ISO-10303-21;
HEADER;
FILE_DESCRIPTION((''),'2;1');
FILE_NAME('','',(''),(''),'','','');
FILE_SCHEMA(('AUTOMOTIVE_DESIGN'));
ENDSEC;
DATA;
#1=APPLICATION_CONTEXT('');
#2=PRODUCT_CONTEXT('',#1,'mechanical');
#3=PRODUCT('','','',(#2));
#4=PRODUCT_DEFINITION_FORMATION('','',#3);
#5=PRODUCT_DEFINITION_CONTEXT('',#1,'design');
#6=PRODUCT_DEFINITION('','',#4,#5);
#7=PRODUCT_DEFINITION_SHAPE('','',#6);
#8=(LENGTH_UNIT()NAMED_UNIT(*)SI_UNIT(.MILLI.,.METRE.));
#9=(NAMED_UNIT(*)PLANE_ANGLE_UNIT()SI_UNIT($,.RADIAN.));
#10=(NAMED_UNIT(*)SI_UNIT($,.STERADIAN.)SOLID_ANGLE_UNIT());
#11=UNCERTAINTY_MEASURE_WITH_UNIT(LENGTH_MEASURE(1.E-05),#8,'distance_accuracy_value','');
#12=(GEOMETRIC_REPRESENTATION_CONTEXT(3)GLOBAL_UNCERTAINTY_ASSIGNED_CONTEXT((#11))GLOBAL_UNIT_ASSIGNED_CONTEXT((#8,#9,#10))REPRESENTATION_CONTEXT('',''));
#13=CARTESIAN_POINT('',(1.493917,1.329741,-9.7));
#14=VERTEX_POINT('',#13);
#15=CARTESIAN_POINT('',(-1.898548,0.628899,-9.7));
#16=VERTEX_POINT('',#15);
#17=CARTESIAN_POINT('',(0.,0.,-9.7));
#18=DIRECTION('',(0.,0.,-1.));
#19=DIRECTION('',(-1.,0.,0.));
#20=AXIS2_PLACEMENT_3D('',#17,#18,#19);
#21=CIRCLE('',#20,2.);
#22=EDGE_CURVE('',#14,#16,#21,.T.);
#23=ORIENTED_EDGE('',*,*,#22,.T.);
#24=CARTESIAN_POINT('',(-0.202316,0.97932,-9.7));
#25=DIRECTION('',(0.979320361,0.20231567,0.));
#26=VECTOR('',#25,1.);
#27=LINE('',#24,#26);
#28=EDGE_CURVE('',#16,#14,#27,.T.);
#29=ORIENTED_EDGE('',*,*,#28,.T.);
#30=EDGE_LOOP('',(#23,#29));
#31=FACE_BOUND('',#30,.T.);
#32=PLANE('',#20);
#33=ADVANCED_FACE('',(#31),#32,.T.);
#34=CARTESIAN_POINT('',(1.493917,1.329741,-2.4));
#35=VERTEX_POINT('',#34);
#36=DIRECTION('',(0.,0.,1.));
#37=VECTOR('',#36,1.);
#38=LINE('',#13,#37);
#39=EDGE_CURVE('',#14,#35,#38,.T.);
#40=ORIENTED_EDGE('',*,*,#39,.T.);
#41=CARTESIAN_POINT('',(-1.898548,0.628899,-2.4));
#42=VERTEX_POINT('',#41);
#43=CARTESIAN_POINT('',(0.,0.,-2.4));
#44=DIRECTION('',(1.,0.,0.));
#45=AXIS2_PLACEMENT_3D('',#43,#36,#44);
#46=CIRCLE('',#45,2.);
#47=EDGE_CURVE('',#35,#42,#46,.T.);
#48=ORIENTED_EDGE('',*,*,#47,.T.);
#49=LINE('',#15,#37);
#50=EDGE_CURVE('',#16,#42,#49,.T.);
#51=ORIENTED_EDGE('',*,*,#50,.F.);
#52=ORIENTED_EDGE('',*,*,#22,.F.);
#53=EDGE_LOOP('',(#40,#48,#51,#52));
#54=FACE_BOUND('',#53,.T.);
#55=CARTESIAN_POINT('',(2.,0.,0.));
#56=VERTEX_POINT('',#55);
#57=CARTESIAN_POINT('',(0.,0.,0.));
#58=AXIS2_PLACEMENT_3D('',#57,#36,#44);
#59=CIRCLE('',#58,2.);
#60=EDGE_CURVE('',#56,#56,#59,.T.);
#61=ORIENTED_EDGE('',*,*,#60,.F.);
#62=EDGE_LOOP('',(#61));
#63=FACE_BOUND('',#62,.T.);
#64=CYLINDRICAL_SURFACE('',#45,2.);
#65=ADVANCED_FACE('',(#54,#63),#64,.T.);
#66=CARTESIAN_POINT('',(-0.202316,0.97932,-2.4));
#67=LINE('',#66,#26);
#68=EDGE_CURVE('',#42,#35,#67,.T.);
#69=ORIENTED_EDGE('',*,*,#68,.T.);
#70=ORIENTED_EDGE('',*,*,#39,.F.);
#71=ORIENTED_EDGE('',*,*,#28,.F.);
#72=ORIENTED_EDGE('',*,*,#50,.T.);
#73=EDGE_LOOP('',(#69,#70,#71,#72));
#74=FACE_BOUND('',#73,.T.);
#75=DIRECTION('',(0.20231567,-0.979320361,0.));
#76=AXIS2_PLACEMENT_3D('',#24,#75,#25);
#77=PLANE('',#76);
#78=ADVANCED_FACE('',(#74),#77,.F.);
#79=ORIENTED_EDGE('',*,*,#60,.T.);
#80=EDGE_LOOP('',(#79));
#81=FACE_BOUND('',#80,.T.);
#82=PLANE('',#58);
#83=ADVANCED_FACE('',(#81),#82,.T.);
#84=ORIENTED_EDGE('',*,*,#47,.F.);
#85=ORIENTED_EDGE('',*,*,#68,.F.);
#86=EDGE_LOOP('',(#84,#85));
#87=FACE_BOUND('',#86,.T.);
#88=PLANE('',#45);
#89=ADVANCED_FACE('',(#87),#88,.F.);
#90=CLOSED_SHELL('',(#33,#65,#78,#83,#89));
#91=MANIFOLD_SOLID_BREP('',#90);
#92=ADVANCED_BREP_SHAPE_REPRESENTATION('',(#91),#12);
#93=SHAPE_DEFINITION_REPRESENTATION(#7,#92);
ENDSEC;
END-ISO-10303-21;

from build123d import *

# Parameters (mm, degrees)
SKETCH_1_R      = 2
EXTRUDE_1_DEPTH = 2.4
EXTRUDE_2_DEPTH = 7.3


with BuildPart() as part:
    # 草图1 → 凸台-拉伸1 (new body)
    with BuildSketch(Plane.XY):
        Circle(SKETCH_1_R)
    extrude(amount=-EXTRUDE_1_DEPTH)

    # 草图2 → 凸台-拉伸2 (add)
    with BuildSketch(Plane(origin=(0, 0, -2.4), x_dir=(-1, 0, 0), z_dir=(0, 0, -1))):
        with BuildLine():
            ThreePointArc((2, 0), (1.974474181, 0.318514847), (1.898548292, 0.628899341))
            Line((1.898548292, 0.628899341), (-1.493916952, 1.329741381))
            ThreePointArc((-1.493916952, 1.329741381), (-0.711395142, -1.869202223), (2, 0))
        make_face()
    extrude(amount=EXTRUDE_2_DEPTH)


solid = part.part
